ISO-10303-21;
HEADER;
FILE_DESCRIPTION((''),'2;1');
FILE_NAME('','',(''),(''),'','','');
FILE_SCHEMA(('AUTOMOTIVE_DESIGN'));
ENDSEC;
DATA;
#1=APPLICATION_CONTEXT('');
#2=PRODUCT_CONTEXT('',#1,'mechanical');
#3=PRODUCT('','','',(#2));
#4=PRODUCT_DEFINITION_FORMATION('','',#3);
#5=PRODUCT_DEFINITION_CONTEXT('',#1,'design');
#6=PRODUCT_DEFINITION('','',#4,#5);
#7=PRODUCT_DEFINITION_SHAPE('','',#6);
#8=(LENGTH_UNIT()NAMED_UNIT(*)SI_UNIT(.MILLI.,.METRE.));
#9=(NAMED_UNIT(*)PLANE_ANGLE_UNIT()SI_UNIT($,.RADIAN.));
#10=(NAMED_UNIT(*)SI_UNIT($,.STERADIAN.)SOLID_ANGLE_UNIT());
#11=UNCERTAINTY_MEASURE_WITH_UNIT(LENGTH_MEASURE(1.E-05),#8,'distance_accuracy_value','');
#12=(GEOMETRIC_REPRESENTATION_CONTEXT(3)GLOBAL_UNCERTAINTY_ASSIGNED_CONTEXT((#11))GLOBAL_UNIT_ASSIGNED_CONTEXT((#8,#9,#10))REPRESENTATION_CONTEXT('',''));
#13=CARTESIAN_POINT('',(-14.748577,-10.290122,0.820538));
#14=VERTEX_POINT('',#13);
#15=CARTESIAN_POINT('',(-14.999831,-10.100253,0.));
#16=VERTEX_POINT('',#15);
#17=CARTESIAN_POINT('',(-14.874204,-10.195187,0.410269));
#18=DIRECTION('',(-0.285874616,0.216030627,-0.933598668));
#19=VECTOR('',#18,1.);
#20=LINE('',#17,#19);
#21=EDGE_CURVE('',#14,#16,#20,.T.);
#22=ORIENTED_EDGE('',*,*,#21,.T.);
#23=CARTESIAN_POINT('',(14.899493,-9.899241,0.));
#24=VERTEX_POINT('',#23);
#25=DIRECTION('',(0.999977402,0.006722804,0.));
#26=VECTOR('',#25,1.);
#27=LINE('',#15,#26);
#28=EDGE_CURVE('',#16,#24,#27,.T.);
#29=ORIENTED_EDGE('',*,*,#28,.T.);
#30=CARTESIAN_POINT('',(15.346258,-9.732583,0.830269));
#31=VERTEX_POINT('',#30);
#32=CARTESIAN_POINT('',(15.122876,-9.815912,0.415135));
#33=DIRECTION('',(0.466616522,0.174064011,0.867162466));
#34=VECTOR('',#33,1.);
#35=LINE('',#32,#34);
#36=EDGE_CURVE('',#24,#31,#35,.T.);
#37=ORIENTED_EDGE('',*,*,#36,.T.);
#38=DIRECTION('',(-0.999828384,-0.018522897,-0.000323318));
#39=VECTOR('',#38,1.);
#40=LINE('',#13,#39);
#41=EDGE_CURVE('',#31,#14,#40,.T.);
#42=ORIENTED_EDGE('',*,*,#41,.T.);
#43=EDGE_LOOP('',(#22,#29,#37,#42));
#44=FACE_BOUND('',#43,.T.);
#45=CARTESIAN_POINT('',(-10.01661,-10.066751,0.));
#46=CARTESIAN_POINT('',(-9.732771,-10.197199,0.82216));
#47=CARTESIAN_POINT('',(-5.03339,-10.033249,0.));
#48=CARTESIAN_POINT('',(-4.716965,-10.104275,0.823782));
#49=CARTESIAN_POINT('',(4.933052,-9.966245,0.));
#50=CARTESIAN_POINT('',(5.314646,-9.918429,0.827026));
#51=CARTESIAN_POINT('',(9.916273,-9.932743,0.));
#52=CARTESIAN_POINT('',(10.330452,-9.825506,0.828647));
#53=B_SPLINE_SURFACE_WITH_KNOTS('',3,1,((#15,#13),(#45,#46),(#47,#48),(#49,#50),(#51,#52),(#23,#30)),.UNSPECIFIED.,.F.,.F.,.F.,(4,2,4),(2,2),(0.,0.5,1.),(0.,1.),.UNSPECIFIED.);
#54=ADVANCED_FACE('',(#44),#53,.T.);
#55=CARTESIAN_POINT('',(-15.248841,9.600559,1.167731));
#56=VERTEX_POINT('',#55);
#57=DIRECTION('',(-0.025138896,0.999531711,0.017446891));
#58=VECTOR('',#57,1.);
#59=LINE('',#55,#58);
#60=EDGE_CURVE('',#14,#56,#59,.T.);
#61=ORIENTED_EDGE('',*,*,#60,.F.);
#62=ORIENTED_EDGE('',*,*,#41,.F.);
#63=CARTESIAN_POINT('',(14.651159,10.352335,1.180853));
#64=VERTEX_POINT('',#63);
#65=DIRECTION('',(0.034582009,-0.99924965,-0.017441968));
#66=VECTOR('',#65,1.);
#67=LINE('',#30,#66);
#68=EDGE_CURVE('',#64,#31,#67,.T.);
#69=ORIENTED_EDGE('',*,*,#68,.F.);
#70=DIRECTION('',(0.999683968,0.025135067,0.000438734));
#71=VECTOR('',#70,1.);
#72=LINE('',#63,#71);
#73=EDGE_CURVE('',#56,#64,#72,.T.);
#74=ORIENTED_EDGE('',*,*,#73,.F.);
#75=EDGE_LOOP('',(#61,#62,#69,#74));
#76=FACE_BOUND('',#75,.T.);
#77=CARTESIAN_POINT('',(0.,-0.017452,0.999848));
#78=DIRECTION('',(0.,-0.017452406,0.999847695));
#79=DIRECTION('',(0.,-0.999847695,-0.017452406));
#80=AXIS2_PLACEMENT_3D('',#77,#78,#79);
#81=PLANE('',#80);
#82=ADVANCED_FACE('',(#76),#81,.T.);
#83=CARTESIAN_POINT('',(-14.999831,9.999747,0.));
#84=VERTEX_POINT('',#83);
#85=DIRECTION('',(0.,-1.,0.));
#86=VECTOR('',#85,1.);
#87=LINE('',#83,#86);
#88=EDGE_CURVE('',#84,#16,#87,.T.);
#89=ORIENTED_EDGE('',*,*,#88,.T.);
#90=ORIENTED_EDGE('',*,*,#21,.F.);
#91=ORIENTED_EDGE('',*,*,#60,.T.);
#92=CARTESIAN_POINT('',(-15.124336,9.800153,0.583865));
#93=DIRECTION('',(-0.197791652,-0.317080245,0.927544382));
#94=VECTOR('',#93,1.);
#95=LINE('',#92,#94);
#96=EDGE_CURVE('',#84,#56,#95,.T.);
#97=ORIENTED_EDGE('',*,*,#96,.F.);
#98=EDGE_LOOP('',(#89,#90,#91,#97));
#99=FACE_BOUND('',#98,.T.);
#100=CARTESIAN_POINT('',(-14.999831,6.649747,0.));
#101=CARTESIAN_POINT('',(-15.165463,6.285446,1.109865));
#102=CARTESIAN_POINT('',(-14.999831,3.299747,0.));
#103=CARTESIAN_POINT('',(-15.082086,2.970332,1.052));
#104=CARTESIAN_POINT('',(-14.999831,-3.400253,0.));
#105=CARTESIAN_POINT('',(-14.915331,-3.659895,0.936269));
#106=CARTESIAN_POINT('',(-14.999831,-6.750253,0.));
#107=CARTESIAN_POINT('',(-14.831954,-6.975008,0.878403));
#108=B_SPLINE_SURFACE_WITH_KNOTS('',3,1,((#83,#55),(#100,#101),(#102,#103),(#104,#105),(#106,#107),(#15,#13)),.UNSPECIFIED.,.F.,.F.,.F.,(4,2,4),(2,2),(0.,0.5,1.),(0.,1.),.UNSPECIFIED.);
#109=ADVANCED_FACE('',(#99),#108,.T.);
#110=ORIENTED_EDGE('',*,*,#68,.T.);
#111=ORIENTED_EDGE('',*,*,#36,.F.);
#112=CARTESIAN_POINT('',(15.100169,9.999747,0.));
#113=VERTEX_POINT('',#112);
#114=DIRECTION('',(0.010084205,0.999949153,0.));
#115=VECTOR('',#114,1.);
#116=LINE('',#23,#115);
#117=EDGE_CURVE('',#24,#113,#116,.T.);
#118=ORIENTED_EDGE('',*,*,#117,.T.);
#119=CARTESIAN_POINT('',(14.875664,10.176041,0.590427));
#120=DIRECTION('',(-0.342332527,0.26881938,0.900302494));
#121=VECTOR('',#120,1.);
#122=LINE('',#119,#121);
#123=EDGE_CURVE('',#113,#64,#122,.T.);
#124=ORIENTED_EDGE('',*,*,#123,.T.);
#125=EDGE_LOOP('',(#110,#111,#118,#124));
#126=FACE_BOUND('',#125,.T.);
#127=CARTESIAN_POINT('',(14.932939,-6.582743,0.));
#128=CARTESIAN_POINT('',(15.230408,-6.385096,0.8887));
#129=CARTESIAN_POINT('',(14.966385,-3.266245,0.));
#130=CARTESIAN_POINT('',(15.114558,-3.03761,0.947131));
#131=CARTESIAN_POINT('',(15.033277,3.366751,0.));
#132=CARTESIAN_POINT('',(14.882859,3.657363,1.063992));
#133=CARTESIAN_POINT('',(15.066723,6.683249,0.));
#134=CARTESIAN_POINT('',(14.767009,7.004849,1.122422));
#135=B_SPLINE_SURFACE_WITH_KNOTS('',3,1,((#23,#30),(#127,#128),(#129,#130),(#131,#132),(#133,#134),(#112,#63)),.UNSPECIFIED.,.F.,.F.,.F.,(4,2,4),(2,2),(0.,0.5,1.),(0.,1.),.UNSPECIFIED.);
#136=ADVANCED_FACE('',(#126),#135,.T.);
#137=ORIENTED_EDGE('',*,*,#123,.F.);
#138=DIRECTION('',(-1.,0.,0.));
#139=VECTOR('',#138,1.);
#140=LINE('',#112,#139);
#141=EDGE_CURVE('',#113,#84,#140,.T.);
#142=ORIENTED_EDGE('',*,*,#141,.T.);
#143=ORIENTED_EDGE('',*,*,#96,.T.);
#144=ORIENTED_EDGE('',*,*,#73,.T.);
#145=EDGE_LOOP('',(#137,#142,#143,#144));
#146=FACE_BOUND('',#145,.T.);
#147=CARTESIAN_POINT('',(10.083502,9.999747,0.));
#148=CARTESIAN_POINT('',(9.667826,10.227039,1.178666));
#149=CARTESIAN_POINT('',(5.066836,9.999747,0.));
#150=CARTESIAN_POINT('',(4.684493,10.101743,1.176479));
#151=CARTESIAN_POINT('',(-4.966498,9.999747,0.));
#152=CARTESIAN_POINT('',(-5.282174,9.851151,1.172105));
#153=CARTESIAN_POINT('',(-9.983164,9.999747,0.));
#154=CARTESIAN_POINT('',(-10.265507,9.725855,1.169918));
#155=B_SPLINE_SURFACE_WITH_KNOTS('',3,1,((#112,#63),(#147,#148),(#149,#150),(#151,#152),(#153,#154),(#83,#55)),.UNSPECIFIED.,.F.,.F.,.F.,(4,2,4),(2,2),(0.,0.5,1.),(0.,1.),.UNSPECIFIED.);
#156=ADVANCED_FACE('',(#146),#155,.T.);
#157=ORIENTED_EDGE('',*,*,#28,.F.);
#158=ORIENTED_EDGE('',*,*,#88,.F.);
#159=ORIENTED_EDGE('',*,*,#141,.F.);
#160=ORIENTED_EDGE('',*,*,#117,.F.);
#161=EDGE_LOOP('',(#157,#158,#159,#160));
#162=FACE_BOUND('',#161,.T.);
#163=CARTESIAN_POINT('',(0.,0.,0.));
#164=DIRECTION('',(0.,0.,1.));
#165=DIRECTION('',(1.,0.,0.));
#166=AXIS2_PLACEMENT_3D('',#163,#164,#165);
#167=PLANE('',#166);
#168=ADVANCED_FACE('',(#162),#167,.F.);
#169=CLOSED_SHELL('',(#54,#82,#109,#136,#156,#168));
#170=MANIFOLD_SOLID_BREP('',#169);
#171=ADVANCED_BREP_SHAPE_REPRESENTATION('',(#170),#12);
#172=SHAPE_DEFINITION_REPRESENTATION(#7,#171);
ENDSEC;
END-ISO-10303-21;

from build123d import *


with BuildPart() as part:
    # Skizze1 → Ausformung2 section 0
    with BuildSketch(Plane.XY):
        with BuildLine():
            Line((-14.999831078, 9.999747037), (-14.999831078, -10.100252963))
            Line((-14.999831078, -10.100252963), (14.899493233, -9.89924111))
            Line((14.899493233, -9.89924111), (15.100168922, 9.999747037))
            Line((15.100168922, 9.999747037), (-14.999831078, 9.999747037))
        make_face()
    # Skizze2 → Ausformung2 section 1
    with BuildSketch(Plane(origin=(0, -0.017452406437280042, 0.9998476951563912), x_dir=(-1, 0, 0), z_dir=(0, 0.017452406437280046, -0.9998476951563913))):
        with BuildLine():
            Line((15.248840604, 9.619476802), (14.748576577, -10.274234162))
            Line((14.748576577, -10.274234162), (-15.346257786, -9.716610047))
            Line((-15.346257786, -9.716610047), (-14.651159396, 10.371367408))
            Line((-14.651159396, 10.371367408), (15.248840604, 9.619476802))
        make_face()
    loft()


solid = part.part
